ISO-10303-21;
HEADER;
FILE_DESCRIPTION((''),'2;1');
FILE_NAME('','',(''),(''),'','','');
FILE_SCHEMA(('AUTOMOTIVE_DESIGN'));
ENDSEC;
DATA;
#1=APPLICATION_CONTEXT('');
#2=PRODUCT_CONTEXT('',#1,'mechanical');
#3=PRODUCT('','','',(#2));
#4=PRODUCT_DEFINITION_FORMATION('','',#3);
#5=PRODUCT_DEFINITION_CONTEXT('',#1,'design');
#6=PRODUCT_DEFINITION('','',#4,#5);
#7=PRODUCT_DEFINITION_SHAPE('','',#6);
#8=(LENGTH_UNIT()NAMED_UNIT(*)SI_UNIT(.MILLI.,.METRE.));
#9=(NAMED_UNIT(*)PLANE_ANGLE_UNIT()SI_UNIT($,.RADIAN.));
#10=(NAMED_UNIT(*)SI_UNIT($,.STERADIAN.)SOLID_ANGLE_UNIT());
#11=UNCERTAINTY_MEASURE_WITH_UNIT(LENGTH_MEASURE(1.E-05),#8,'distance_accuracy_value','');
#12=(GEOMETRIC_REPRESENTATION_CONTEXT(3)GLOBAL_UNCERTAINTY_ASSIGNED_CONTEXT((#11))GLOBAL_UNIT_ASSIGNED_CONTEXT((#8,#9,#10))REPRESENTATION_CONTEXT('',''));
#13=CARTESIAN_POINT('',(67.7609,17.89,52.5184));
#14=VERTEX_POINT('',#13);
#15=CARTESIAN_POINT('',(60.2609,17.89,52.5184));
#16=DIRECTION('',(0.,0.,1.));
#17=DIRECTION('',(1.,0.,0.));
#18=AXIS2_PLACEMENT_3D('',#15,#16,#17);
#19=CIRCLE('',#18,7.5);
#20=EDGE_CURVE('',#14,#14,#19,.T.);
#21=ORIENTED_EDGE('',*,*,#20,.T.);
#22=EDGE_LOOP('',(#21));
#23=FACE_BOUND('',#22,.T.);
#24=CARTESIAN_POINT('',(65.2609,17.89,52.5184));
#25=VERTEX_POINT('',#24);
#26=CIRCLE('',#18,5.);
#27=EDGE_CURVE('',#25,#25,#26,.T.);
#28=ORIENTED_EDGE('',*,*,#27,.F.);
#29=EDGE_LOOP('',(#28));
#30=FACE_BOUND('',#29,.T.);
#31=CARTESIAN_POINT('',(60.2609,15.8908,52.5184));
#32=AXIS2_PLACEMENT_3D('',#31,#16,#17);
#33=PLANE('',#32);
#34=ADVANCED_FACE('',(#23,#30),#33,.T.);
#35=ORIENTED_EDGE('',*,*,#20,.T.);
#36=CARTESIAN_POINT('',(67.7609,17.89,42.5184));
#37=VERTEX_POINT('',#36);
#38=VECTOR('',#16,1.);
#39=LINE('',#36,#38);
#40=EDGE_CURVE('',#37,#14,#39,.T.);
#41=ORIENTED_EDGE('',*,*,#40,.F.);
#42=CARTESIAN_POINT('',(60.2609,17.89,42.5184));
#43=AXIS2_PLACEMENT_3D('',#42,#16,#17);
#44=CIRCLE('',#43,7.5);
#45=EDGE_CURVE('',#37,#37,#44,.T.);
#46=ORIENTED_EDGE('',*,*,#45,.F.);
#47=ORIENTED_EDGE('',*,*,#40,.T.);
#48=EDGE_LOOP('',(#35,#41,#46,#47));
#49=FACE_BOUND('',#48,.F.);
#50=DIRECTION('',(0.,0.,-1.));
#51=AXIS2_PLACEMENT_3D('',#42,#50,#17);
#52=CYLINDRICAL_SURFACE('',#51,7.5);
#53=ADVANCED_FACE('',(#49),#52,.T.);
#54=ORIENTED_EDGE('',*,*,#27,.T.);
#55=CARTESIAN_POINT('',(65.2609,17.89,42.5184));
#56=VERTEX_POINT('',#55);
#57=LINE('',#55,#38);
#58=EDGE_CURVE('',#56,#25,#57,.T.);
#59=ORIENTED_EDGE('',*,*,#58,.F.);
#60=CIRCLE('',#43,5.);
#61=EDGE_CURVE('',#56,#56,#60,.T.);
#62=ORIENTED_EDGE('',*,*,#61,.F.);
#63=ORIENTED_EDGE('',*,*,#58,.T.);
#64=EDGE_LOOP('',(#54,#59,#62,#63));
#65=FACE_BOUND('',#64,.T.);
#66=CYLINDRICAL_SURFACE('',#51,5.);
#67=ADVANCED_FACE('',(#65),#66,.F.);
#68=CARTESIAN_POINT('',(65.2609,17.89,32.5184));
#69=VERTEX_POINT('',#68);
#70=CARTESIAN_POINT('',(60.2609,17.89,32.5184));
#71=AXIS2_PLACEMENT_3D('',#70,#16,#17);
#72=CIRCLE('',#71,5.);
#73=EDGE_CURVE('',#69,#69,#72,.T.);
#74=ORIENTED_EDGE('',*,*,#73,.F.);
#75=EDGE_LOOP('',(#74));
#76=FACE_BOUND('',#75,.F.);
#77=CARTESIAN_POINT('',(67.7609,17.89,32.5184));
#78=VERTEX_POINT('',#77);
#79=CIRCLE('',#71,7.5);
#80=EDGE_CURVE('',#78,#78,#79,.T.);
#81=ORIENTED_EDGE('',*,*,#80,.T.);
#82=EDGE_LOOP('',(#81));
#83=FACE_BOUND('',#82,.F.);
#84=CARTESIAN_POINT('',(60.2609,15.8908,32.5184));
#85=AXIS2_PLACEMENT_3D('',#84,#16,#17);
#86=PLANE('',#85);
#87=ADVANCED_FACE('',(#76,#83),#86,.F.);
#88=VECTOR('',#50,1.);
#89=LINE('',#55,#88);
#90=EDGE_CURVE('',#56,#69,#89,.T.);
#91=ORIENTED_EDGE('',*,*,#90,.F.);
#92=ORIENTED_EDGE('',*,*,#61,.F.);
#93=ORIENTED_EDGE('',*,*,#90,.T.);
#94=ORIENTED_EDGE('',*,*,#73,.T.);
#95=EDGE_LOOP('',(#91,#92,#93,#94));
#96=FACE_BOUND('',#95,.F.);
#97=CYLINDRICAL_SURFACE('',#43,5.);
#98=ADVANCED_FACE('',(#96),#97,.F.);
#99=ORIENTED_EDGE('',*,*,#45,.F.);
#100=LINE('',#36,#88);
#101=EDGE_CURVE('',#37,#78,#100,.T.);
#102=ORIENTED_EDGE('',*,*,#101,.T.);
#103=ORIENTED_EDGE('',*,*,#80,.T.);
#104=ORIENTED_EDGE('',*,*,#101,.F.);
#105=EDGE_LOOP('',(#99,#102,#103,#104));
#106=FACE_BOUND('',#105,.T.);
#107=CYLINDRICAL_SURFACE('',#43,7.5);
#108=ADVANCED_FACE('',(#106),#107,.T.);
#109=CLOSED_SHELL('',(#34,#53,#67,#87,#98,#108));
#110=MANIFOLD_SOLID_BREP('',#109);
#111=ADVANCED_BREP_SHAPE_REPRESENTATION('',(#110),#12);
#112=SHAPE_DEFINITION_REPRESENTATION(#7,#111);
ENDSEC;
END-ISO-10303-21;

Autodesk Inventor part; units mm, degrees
ref_plane "YZ Plane" through (0, 0, 0) normal (1, 0, 0) x (0, 1, 0)
ref_plane "XZ Plane" through (0, 0, 0) normal (0, 1, 0) x (-1, 0, 0)
ref_plane "XY Plane" through (0, 0, 0) normal (0, 0, 1) x (1, 0, 0)
ref_plane "Work Plane1" through (60.2609, 15.8908, 42.5184) normal (0, 0, 1) x (1, 0, 0)
sketch "Sketch1" plane through (60.2609, 15.8908, 42.5184) normal (0, 0, 1) x (1, 0, 0)
  circle A0 centre (0, 1.9992) radius 7.5 projected
  circle A1 centre (0, 1.9992) radius 5
  point P0 (-60.2609, -15.8908)
  dimension "d0" = 10
extrude "Extrusion1" add sketch "Sketch1" along normal mid plane 20
properties part number "cuscinettoY"
